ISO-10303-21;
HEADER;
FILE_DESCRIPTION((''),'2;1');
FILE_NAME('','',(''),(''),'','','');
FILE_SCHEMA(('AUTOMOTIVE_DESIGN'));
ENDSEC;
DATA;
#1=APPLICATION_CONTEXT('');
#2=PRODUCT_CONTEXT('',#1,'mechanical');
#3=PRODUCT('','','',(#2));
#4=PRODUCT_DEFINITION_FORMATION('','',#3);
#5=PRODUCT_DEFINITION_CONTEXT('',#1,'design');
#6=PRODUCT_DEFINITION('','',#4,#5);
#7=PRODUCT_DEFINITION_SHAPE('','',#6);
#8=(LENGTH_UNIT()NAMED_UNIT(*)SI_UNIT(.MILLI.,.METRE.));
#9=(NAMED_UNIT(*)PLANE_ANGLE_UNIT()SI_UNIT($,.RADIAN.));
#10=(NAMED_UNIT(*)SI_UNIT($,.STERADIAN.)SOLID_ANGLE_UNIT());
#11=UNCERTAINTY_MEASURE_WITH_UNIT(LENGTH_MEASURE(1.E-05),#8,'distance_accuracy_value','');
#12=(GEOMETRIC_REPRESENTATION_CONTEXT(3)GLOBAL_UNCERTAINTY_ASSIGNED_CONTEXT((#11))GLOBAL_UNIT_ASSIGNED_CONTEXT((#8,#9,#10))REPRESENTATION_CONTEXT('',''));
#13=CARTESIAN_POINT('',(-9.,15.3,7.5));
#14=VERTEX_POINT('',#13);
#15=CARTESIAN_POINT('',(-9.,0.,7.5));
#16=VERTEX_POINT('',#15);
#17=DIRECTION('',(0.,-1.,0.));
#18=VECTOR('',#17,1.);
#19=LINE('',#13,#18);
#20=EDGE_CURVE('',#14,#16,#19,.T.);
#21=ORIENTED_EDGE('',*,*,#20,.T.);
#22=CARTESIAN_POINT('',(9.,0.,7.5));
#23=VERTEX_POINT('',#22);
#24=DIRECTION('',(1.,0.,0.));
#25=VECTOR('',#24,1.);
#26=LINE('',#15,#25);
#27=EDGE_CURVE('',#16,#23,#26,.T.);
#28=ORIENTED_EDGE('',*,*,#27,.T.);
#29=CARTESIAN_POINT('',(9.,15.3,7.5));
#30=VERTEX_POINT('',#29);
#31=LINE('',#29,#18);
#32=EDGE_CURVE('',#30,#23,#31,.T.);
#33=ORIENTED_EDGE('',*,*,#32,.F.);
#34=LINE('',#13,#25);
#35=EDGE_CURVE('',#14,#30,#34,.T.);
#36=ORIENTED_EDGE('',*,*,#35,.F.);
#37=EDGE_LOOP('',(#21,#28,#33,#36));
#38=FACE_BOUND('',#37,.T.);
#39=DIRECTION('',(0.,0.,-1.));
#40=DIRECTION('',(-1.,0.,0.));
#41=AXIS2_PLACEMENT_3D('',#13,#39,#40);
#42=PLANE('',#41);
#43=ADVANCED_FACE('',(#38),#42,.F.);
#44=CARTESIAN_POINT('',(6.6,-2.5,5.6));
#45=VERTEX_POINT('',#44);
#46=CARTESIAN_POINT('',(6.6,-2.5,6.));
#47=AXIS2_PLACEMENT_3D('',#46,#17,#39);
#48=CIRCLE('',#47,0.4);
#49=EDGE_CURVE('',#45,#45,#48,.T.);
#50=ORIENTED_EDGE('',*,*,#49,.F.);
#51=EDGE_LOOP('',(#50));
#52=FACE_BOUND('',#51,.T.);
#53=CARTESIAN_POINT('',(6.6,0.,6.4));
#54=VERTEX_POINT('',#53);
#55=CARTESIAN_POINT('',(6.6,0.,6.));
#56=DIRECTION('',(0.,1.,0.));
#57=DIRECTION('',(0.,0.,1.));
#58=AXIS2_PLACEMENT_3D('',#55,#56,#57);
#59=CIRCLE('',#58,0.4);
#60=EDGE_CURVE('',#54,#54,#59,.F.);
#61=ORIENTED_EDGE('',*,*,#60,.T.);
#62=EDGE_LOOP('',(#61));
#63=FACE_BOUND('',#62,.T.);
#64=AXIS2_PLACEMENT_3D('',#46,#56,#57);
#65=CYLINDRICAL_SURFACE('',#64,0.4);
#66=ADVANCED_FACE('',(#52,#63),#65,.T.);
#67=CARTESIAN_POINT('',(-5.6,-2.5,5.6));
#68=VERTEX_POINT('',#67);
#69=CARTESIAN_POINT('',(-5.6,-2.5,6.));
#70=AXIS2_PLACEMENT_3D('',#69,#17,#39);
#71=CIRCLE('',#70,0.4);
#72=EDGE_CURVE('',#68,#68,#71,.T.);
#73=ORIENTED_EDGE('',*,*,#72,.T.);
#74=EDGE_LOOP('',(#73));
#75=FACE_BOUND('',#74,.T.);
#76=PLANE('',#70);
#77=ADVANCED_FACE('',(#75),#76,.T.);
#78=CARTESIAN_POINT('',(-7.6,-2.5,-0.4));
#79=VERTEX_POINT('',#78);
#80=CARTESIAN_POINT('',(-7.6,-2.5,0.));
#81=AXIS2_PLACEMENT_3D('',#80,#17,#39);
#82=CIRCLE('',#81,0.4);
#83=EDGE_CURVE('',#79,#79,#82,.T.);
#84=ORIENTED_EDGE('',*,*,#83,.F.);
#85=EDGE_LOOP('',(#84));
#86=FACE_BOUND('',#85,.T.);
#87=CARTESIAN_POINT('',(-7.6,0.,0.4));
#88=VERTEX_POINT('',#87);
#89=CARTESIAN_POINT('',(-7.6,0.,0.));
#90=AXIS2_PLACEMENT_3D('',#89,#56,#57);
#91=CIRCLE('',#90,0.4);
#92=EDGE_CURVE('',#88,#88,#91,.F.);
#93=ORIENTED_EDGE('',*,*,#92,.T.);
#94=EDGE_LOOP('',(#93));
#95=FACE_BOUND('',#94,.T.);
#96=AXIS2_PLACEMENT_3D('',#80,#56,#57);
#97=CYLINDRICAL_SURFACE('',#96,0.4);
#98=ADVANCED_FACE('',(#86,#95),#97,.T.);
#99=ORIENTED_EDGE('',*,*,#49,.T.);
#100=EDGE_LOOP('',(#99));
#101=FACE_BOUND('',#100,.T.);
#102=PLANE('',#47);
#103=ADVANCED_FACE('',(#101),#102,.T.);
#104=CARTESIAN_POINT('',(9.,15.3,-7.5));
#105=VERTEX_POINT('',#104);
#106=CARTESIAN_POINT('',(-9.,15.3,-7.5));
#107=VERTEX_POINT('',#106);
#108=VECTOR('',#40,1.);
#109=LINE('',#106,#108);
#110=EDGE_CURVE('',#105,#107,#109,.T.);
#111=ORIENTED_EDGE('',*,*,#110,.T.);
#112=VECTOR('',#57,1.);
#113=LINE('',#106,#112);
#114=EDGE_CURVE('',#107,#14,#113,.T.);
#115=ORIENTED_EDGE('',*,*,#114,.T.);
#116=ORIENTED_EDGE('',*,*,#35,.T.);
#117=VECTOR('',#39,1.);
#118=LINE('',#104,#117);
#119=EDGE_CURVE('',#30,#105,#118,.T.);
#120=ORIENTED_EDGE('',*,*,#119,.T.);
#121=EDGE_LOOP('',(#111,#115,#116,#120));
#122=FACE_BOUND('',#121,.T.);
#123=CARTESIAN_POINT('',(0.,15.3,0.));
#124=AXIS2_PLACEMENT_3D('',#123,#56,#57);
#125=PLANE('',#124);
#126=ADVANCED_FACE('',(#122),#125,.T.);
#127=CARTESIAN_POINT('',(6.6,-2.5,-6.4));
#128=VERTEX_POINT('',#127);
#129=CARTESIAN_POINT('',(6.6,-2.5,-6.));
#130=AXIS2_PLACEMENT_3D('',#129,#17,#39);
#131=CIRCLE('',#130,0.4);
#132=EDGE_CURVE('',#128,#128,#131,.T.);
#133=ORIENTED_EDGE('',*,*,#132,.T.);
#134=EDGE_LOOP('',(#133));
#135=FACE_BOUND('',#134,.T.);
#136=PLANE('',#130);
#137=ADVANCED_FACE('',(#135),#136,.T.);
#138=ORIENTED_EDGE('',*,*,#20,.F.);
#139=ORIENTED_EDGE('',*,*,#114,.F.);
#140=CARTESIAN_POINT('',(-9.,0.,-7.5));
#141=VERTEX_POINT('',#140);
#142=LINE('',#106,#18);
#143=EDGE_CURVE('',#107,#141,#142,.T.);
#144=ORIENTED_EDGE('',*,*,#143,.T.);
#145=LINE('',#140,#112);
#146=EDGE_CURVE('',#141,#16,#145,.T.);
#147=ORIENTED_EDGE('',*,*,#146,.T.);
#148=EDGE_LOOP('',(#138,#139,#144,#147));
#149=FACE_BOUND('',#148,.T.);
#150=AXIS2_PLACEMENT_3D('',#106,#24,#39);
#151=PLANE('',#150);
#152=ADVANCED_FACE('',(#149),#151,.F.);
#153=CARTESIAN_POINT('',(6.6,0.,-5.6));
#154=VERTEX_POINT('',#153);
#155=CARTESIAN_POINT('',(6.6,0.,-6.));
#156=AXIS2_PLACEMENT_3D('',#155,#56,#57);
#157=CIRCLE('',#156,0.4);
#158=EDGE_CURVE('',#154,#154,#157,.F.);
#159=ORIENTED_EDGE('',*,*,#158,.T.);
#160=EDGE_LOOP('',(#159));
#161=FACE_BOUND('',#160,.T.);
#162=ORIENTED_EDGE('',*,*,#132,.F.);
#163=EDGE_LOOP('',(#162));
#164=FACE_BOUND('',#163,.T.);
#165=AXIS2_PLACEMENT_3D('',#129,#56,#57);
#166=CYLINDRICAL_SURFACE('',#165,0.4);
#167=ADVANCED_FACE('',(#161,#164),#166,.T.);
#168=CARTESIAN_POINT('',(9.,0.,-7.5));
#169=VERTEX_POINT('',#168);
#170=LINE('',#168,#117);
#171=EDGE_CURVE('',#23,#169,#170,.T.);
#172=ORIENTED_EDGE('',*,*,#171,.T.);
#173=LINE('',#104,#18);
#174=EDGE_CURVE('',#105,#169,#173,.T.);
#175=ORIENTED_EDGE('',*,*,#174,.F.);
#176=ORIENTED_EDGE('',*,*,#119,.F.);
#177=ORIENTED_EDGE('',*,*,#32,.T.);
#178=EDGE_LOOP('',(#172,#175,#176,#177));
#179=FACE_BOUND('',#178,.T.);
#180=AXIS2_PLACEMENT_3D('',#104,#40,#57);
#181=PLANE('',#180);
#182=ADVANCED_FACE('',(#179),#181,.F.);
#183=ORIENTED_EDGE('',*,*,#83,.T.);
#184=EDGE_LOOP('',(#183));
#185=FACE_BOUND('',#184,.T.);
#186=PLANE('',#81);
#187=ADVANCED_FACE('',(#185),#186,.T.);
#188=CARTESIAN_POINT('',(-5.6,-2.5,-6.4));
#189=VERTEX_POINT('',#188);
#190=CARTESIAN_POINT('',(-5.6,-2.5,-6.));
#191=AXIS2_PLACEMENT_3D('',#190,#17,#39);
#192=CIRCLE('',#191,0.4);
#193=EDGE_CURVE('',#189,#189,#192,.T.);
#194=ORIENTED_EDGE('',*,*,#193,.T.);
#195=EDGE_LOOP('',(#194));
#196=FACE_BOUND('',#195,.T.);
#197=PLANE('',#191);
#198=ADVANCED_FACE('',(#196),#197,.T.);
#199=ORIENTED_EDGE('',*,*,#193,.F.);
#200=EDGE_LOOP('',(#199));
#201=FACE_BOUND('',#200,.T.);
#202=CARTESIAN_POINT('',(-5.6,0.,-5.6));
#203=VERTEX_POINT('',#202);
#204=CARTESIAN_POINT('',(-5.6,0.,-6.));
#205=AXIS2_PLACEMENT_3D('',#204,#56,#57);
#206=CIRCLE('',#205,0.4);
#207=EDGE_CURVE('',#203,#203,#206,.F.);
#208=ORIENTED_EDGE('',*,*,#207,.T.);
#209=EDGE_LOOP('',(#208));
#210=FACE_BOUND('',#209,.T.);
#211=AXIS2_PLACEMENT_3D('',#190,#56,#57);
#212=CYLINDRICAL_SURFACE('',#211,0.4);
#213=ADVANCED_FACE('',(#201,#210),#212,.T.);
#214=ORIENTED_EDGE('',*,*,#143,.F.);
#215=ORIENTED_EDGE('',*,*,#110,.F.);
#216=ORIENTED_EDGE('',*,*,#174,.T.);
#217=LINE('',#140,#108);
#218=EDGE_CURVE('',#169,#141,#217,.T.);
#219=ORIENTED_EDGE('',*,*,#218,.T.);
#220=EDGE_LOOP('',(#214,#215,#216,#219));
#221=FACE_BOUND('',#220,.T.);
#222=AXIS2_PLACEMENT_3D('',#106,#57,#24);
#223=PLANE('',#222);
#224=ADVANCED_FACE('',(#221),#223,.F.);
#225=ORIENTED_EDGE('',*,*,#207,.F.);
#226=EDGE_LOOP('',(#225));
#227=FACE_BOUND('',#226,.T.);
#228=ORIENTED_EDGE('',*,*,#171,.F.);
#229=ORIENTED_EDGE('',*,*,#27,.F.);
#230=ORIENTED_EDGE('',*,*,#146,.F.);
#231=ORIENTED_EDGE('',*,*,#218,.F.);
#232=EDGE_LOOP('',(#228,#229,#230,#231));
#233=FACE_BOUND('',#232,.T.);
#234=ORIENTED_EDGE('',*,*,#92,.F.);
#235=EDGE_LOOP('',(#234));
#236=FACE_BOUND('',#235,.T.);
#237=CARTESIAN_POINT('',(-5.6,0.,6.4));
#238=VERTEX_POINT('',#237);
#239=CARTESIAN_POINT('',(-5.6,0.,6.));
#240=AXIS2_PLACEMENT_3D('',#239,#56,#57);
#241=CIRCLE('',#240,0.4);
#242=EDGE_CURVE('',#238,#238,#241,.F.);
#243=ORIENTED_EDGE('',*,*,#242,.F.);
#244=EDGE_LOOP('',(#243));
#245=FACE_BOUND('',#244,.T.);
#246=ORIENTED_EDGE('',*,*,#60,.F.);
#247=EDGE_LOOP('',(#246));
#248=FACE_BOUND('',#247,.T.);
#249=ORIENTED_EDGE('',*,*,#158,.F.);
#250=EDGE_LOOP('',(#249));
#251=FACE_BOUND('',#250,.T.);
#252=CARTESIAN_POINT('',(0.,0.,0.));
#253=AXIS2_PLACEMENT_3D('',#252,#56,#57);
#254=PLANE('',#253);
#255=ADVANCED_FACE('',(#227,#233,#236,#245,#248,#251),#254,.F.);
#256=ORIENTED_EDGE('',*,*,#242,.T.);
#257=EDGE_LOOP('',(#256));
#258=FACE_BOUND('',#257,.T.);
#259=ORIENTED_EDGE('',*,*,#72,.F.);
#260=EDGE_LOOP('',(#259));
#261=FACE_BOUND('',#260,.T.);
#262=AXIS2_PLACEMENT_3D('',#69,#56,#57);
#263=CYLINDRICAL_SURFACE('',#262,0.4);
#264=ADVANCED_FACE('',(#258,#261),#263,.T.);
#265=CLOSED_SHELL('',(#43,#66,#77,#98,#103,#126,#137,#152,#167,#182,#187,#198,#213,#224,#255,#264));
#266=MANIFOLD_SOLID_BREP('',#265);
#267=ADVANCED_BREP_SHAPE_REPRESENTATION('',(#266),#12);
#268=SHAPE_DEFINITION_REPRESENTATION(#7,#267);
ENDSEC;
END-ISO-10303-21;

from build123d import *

# Parameters (mm, degrees)
ESQUISSE1_W        = 18
ESQUISSE1_H        = 15
BOSS_EXTRU_1_DEPTH = 15.3
ESQUISSE2_R        = 0.4
BOSS_EXTRU_2_DEPTH = 2.5


with BuildPart() as part:
    # Esquisse1 → Boss.-Extru.1 (new body)
    with BuildSketch(Plane(origin=(0, 0, 0), x_dir=(1, 0, 0), z_dir=(0, 1, 0))):
        Rectangle(ESQUISSE1_W, ESQUISSE1_H)
    extrude(amount=BOSS_EXTRU_1_DEPTH)

    # Esquisse2 → Boss.-Extru.2 (add)
    with BuildSketch(Plane(origin=(0, 0, 0), x_dir=(-1, 0, 0), z_dir=(0, -1, 0))):
        with Locations(Location((7.6, 0, 0), (0, 0, 270))):  # turned: the seam where the file's is
            Circle(ESQUISSE2_R)
        with Locations(Location((5.6, -6, 0), (0, 0, 270))):  # turned: the seam where the file's is
            Circle(ESQUISSE2_R)
        with Locations(Location((5.6, 6, 0), (0, 0, 270))):  # turned: the seam where the file's is
            Circle(ESQUISSE2_R)
        with Locations(Location((-6.6, -6, 0), (0, 0, 270))):  # turned: the seam where the file's is
            Circle(ESQUISSE2_R)
        with Locations(Location((-6.6, 6, 0), (0, 0, 270))):  # turned: the seam where the file's is
            Circle(ESQUISSE2_R)
    extrude(amount=BOSS_EXTRU_2_DEPTH)


solid = part.part
